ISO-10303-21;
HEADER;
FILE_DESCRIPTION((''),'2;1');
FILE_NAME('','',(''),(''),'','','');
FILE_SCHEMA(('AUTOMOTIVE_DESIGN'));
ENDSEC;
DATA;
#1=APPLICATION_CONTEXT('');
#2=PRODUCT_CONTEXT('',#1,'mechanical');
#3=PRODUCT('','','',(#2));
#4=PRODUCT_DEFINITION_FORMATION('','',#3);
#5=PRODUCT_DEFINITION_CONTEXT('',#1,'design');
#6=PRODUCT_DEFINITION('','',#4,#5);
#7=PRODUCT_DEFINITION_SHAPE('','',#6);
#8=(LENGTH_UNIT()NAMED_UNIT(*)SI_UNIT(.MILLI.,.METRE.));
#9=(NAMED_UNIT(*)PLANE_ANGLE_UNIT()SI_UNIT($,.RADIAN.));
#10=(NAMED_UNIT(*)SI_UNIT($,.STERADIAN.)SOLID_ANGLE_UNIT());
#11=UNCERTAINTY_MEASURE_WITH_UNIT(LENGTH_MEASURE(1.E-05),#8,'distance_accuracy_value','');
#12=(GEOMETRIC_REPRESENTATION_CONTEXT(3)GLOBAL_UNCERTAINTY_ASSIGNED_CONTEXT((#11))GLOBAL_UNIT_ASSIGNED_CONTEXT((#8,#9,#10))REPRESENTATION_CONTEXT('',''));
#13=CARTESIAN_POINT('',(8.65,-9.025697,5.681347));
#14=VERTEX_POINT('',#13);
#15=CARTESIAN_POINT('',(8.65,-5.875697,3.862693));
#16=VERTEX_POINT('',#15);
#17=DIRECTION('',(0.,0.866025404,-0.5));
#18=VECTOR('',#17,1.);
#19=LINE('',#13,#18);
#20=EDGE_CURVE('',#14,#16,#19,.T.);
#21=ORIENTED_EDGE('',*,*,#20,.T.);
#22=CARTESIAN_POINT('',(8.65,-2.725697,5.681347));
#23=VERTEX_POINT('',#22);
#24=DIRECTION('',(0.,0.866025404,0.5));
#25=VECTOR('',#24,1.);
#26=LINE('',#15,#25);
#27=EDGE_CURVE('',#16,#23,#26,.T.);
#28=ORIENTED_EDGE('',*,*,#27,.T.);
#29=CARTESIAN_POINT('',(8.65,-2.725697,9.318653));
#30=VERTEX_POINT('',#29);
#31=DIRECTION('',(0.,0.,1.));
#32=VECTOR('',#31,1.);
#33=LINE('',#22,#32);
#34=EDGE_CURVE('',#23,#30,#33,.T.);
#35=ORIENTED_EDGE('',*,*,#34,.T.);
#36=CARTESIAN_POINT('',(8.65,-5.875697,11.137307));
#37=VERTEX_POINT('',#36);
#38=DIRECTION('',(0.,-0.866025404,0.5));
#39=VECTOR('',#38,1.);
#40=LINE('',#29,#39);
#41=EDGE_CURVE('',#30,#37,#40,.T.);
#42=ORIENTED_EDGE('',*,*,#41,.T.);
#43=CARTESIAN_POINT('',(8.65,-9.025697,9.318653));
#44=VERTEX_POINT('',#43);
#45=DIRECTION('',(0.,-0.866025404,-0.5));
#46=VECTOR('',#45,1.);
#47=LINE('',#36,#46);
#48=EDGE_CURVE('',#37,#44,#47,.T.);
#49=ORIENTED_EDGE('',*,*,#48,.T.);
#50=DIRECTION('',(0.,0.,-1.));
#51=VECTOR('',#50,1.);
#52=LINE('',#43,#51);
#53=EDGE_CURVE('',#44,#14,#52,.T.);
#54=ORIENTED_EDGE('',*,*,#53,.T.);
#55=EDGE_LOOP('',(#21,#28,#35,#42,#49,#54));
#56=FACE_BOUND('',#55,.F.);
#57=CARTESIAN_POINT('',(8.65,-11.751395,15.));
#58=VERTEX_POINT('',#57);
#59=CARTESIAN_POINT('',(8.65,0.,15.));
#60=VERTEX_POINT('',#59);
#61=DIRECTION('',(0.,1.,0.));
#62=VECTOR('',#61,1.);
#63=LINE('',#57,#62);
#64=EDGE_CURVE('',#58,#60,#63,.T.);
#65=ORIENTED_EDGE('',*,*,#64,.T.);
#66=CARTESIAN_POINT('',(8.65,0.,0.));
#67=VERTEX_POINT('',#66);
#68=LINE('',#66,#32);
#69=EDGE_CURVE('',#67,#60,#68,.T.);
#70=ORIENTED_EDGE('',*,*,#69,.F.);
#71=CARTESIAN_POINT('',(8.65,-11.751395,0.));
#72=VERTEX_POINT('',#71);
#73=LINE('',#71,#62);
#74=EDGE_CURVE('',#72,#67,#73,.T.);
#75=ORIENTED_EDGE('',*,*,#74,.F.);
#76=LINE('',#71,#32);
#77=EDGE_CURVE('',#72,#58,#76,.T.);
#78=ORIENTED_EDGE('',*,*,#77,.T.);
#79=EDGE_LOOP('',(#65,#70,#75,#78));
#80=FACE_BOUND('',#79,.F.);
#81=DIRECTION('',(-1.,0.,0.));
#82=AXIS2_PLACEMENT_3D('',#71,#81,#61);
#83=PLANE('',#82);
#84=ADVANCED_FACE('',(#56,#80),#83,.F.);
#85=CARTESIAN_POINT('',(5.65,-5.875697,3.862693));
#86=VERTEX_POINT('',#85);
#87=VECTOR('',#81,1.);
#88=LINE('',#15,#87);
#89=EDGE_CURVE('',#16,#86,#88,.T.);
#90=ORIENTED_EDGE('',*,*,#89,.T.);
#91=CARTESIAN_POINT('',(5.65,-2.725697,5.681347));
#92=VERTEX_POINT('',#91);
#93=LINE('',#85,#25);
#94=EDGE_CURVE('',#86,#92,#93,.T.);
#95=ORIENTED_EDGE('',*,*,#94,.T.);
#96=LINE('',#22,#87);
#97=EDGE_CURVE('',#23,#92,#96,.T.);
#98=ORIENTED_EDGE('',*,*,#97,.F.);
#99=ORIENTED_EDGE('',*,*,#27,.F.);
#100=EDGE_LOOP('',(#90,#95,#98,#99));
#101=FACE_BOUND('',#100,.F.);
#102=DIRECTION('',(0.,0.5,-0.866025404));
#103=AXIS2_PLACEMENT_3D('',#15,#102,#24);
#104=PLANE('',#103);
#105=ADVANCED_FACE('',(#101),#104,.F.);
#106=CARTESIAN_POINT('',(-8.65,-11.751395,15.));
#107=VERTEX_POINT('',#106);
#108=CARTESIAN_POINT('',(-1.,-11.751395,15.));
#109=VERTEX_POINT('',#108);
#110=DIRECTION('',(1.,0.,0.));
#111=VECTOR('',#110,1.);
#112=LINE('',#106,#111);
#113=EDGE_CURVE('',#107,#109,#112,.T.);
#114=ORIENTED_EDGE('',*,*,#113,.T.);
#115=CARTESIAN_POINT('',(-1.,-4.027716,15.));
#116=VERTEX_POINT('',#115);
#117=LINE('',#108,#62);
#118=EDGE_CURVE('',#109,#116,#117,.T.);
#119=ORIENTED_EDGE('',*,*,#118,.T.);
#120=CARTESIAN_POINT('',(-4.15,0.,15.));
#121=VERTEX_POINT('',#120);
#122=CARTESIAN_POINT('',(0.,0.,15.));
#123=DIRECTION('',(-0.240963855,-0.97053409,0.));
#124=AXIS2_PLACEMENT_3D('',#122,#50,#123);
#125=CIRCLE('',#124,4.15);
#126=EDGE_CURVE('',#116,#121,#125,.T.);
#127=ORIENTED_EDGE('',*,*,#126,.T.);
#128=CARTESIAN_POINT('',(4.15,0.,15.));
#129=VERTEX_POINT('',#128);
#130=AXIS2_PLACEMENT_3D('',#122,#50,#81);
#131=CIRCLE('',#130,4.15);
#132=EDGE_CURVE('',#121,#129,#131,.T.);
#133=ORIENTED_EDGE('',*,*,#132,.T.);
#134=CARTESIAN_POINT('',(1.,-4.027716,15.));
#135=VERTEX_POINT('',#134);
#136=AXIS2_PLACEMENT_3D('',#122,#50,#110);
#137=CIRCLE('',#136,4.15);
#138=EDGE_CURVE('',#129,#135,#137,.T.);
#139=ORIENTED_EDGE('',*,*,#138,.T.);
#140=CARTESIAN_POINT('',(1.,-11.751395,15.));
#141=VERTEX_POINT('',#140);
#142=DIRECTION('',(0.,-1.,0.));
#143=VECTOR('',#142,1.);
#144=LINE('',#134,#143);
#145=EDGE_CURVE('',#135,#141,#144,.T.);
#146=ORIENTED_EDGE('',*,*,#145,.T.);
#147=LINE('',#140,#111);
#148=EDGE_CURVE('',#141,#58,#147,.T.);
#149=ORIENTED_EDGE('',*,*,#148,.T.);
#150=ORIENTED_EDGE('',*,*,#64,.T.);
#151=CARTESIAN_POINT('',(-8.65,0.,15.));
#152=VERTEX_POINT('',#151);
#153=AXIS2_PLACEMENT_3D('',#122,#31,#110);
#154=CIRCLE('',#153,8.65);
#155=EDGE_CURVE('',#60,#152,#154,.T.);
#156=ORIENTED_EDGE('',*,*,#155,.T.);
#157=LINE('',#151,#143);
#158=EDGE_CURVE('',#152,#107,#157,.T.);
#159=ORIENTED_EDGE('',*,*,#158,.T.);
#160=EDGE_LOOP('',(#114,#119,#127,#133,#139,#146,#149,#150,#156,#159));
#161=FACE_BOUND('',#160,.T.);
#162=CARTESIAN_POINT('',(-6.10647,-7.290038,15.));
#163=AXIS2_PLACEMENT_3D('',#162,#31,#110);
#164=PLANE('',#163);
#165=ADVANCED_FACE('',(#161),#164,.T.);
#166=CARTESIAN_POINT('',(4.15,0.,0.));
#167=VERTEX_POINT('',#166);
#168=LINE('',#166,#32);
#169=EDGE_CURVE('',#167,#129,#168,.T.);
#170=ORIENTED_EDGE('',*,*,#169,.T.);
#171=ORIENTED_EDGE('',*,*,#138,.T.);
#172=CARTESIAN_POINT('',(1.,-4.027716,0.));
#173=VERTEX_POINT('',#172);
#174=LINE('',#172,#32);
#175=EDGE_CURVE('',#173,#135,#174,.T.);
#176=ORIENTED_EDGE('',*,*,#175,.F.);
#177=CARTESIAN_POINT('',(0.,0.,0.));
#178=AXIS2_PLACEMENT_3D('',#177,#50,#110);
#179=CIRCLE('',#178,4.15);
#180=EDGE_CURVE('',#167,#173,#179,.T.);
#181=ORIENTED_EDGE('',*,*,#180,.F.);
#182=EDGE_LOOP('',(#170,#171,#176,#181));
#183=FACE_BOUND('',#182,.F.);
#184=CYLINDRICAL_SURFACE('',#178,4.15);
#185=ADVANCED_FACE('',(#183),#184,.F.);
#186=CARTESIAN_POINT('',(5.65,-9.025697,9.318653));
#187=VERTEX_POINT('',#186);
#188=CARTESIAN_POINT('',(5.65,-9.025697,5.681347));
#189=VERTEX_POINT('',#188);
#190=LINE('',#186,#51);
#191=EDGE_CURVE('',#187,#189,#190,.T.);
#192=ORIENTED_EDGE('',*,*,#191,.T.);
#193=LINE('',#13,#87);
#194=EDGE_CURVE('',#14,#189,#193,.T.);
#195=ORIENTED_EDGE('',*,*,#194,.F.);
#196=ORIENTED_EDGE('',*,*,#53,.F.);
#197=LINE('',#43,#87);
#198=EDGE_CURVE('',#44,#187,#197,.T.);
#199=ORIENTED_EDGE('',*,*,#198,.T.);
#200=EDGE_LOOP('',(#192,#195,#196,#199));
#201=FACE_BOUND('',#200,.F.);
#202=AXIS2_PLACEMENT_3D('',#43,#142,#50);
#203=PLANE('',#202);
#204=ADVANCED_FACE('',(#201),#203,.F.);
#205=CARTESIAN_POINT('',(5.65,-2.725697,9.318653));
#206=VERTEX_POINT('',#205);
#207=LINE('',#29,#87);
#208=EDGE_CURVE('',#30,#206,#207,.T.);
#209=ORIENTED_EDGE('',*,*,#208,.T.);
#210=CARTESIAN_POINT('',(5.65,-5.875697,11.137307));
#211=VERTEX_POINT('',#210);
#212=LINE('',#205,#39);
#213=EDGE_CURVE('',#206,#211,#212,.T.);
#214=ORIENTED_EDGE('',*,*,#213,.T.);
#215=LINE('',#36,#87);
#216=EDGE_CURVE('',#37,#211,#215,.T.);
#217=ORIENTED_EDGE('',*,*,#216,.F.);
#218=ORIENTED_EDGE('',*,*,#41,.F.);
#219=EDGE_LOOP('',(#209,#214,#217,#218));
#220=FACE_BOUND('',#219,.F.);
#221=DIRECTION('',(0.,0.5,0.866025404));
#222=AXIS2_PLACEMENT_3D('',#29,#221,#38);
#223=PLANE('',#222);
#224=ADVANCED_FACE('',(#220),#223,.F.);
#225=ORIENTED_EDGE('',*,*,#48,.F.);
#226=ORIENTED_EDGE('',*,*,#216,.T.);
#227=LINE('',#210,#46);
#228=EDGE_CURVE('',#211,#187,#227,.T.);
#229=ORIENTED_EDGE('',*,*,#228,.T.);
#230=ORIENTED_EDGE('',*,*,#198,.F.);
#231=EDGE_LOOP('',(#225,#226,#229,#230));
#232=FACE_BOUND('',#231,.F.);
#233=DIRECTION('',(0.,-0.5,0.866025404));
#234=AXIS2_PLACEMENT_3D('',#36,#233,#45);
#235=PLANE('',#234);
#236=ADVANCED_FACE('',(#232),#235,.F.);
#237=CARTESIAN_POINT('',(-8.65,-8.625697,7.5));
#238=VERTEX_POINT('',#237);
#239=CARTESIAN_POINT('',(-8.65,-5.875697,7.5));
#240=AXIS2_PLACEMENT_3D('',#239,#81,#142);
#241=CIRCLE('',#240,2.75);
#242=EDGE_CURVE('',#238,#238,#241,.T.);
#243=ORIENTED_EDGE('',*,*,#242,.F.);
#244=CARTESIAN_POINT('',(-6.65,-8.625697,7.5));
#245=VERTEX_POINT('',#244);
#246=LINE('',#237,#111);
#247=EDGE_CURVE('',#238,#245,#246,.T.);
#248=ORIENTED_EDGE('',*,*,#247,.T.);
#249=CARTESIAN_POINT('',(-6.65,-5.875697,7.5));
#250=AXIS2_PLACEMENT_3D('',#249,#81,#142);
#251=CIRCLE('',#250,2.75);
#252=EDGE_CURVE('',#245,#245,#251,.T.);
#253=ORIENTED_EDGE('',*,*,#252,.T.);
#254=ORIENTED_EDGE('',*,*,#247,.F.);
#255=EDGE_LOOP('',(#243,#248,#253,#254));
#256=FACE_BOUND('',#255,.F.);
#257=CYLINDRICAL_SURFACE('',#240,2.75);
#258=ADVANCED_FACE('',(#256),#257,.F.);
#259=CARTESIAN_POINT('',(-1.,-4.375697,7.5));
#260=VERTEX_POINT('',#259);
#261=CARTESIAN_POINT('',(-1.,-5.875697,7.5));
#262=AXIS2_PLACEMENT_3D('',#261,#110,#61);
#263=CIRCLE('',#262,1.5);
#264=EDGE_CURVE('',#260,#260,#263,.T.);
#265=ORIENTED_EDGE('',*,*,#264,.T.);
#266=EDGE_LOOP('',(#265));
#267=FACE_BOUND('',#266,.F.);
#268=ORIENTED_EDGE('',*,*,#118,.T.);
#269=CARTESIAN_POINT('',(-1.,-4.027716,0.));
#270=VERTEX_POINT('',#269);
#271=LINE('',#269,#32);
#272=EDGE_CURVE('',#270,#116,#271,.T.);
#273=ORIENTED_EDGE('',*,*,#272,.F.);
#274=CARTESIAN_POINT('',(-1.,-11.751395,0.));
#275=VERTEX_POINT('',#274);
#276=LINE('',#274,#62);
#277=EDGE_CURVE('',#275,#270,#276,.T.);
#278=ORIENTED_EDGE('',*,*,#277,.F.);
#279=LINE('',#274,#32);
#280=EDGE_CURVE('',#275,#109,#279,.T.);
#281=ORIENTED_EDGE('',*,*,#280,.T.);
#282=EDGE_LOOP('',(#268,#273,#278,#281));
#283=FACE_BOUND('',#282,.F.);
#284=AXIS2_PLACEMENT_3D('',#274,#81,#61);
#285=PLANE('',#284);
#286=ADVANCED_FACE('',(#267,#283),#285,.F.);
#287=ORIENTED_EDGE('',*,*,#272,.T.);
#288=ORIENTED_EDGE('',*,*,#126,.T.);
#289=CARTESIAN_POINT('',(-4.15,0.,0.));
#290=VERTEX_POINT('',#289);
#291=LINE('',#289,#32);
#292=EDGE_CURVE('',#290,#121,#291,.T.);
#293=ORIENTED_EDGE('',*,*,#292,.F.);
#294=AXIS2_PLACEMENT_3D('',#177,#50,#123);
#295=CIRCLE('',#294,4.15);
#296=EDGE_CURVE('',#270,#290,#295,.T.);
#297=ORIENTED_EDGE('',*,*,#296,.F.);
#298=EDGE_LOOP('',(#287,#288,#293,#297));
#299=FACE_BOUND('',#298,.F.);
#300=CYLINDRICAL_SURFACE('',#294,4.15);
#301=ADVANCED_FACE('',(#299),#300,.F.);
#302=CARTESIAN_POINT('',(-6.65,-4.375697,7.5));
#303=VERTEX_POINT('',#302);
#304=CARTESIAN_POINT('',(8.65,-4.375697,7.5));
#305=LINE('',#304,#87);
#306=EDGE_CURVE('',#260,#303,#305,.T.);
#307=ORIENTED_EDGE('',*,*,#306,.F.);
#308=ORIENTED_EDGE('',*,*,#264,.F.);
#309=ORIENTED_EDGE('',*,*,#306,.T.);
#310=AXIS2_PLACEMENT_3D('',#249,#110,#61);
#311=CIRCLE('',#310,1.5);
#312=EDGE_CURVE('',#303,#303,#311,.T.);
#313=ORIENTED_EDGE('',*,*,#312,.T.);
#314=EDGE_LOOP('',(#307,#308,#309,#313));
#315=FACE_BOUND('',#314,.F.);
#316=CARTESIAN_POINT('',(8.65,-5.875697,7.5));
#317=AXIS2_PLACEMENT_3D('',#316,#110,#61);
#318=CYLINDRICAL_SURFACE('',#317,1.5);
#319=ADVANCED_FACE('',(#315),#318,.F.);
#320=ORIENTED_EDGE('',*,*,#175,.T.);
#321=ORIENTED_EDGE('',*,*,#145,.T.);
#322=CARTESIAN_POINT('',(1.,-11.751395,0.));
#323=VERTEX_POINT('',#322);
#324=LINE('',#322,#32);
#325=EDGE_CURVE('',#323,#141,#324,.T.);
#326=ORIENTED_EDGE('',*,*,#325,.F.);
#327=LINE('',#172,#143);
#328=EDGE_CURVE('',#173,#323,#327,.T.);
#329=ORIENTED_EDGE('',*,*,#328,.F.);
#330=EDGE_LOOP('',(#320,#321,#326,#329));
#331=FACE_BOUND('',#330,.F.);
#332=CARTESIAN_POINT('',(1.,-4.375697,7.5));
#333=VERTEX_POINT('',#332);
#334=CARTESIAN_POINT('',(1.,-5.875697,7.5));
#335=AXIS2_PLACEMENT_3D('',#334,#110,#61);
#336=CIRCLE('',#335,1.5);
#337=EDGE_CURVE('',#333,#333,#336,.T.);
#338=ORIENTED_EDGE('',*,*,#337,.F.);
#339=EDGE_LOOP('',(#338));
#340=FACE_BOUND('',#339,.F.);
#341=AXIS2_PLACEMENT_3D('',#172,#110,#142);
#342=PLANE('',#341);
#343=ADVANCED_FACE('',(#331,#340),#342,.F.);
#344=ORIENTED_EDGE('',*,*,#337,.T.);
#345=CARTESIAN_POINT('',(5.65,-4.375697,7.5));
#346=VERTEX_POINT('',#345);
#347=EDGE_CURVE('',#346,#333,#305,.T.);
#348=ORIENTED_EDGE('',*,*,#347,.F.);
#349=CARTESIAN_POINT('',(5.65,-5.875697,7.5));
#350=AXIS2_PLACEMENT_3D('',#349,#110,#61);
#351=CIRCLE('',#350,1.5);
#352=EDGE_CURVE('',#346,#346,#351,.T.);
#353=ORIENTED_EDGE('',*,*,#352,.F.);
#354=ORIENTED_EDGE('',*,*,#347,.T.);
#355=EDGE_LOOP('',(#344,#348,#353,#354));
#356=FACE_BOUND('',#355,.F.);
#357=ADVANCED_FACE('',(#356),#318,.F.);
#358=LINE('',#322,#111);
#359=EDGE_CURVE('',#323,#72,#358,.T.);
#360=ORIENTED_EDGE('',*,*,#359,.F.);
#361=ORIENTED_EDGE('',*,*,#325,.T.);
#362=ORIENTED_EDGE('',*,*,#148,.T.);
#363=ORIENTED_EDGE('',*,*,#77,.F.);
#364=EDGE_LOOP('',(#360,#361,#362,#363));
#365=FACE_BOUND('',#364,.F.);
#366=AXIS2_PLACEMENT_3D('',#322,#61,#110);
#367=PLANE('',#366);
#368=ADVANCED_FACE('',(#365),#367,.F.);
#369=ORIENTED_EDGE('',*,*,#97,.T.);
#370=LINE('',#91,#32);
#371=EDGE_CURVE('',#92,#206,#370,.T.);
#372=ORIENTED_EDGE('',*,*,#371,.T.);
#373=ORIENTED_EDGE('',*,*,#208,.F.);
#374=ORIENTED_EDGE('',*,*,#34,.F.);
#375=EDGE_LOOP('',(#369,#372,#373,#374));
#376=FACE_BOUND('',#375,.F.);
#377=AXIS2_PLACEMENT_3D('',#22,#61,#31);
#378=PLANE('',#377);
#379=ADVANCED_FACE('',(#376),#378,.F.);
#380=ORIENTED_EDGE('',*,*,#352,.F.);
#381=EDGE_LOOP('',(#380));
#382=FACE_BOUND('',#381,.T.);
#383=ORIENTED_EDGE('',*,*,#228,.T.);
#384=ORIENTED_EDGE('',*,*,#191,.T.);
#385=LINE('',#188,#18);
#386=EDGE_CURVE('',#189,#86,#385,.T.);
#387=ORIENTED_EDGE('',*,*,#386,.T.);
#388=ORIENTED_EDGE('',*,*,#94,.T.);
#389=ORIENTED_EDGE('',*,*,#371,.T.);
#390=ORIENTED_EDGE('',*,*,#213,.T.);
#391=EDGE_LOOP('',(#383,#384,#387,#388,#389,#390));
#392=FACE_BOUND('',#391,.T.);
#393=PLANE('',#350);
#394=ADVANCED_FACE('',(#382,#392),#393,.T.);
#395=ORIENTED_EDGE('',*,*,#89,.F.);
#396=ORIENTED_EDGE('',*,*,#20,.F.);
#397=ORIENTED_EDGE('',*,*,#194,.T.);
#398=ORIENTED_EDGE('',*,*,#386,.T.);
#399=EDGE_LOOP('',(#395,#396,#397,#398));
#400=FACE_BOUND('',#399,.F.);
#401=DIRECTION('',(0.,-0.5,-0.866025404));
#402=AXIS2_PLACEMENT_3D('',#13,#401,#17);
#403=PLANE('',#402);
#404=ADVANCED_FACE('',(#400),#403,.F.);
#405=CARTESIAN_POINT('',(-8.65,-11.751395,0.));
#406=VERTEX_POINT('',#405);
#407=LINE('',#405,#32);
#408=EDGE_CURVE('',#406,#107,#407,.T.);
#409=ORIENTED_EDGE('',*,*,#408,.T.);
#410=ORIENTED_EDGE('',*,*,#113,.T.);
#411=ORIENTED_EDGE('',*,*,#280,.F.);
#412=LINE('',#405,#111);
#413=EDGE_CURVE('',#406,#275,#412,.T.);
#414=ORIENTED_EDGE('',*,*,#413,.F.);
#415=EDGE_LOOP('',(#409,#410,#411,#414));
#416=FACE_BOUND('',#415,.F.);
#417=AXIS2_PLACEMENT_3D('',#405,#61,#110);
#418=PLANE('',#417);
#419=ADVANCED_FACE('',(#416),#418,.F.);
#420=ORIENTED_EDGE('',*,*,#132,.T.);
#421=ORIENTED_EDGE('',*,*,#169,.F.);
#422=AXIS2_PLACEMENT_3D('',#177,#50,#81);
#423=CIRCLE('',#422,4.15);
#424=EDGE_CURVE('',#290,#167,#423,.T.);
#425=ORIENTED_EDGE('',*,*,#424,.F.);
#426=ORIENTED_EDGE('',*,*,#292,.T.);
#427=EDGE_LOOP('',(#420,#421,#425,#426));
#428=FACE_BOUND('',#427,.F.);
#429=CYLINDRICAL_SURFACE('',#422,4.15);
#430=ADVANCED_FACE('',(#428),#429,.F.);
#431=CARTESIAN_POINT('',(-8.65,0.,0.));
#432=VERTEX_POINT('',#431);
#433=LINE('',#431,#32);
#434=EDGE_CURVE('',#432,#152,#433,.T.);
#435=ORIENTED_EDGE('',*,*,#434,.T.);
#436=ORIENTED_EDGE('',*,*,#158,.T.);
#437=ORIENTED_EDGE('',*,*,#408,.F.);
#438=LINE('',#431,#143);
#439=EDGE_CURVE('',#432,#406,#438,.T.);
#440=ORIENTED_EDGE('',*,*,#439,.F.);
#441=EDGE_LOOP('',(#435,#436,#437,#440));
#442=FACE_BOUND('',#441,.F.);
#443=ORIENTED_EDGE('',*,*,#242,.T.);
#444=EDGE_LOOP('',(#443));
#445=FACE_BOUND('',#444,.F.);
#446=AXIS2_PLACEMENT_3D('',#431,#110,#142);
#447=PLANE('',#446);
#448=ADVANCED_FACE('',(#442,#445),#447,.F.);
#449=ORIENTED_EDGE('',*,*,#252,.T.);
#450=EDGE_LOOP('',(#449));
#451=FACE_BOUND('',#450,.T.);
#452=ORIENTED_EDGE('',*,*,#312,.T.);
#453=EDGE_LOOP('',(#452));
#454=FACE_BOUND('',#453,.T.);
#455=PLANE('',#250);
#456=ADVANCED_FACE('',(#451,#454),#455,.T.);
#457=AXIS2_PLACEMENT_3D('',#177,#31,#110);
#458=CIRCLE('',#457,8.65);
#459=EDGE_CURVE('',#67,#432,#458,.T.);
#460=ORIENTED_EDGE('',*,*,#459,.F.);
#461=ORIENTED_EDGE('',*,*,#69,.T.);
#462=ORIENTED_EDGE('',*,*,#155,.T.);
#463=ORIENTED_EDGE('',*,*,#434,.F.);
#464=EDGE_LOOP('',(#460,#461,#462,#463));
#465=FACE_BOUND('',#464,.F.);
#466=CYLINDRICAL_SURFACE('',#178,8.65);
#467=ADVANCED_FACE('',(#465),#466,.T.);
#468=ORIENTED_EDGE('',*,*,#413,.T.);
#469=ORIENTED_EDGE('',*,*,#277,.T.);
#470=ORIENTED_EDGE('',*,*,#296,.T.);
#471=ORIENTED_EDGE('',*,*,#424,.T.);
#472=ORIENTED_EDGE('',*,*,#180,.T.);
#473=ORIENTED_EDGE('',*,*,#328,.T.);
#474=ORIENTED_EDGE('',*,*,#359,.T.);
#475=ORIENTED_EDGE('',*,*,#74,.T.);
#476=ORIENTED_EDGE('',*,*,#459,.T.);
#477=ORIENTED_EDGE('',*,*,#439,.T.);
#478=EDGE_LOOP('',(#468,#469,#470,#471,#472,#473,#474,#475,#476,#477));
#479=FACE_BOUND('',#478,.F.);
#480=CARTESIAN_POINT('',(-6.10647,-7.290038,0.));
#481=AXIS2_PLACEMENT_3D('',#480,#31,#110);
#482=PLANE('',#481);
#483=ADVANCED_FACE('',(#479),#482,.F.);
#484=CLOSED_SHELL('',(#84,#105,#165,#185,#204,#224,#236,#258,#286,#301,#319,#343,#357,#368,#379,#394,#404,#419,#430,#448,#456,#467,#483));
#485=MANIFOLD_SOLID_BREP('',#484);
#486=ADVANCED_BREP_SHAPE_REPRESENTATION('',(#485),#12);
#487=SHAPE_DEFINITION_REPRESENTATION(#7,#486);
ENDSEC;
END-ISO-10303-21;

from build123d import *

# Parameters (mm, degrees)
F1_DEPTH = 15
F2_R     = 1.5
F3_DEPTH = 17.301
F5_DEPTH = 3
F6_R     = 2.75
F7_DEPTH = 2


with BuildPart() as f1:
    # F0 (on Top) → F1 (new body)
    with BuildSketch(Plane.XY):
        with BuildLine():
            Line((-1, -11.7513947189), (-1, -8.592002095))
            ThreePointArc((-1, -8.592002095), (-6.4603598971, -5.7520648466), (-8.65, 0))
            Line((-8.65, 0), (-8.65, -11.7513947189))
            Line((-8.65, -11.7513947189), (-1, -11.7513947189))
        make_face()
        with BuildLine():
            ThreePointArc((8.65, 0), (6.4603598971, -5.7520648466), (1, -8.592002095))
            Line((1, -8.592002095), (1, -11.7513947189))
            Line((1, -11.7513947189), (8.65, -11.7513947189))
            Line((8.65, -11.7513947189), (8.65, 0))
        make_face()
        with BuildLine():
            Line((-8.65, 0), (-4.15, 0))
            ThreePointArc((-4.15, 0), (0, 4.15), (4.15, 0))
            Line((4.15, 0), (8.65, 0))
            ThreePointArc((8.65, 0), (0, 8.65), (-8.65, 0))
        make_face()
        with BuildLine():
            Line((-1, -8.592002095), (-1, -4.0277164746))
            ThreePointArc((-1, -4.0277164746), (-3.2689830223, -2.5566090824), (-4.15, 0))
            Line((-4.15, 0), (-8.65, 0))
            ThreePointArc((-8.65, 0), (-6.4603598971, -5.7520648466), (-1, -8.592002095))
        make_face()
        with BuildLine():
            ThreePointArc((4.15, 0), (3.2689830223, -2.5566090824), (1, -4.0277164746))
            Line((1, -4.0277164746), (1, -8.592002095))
            ThreePointArc((1, -8.592002095), (6.4603598971, -5.7520648466), (8.65, 0))
            Line((8.65, 0), (4.15, 0))
        make_face()
    extrude(amount=F1_DEPTH)

    # F2 (on face) → F3 (cut, through all)
    with BuildSketch(Plane.YZ.offset(8.65)):
        with Locations((-5.8756973594, 7.5)):
            Circle(F2_R)
    extrude(amount=-F3_DEPTH, mode=Mode.SUBTRACT)

    # F4 (on face) → F5 (cut)
    with BuildSketch(Plane.YZ.offset(8.65)):
        Polygon((-2.7256973594, 9.3186533479), (-5.8756973594, 11.1373066959), (-9.0256973594, 9.3186533479), (-9.0256973594, 5.6813466521), (-5.8756973594, 3.8626933041), (-2.7256973594, 5.6813466521), align=None)
    extrude(amount=-F5_DEPTH, mode=Mode.SUBTRACT)

    # F6 (on face) → F7 (cut)
    with BuildSketch(Plane(origin=(-8.65, 0, 0), x_dir=(0, -1, 0), z_dir=(-1, 0, 0))):
        with Locations((5.8756973594, 7.5)):
            Circle(F6_R)
    extrude(amount=-F7_DEPTH, mode=Mode.SUBTRACT)


solid = f1.part
